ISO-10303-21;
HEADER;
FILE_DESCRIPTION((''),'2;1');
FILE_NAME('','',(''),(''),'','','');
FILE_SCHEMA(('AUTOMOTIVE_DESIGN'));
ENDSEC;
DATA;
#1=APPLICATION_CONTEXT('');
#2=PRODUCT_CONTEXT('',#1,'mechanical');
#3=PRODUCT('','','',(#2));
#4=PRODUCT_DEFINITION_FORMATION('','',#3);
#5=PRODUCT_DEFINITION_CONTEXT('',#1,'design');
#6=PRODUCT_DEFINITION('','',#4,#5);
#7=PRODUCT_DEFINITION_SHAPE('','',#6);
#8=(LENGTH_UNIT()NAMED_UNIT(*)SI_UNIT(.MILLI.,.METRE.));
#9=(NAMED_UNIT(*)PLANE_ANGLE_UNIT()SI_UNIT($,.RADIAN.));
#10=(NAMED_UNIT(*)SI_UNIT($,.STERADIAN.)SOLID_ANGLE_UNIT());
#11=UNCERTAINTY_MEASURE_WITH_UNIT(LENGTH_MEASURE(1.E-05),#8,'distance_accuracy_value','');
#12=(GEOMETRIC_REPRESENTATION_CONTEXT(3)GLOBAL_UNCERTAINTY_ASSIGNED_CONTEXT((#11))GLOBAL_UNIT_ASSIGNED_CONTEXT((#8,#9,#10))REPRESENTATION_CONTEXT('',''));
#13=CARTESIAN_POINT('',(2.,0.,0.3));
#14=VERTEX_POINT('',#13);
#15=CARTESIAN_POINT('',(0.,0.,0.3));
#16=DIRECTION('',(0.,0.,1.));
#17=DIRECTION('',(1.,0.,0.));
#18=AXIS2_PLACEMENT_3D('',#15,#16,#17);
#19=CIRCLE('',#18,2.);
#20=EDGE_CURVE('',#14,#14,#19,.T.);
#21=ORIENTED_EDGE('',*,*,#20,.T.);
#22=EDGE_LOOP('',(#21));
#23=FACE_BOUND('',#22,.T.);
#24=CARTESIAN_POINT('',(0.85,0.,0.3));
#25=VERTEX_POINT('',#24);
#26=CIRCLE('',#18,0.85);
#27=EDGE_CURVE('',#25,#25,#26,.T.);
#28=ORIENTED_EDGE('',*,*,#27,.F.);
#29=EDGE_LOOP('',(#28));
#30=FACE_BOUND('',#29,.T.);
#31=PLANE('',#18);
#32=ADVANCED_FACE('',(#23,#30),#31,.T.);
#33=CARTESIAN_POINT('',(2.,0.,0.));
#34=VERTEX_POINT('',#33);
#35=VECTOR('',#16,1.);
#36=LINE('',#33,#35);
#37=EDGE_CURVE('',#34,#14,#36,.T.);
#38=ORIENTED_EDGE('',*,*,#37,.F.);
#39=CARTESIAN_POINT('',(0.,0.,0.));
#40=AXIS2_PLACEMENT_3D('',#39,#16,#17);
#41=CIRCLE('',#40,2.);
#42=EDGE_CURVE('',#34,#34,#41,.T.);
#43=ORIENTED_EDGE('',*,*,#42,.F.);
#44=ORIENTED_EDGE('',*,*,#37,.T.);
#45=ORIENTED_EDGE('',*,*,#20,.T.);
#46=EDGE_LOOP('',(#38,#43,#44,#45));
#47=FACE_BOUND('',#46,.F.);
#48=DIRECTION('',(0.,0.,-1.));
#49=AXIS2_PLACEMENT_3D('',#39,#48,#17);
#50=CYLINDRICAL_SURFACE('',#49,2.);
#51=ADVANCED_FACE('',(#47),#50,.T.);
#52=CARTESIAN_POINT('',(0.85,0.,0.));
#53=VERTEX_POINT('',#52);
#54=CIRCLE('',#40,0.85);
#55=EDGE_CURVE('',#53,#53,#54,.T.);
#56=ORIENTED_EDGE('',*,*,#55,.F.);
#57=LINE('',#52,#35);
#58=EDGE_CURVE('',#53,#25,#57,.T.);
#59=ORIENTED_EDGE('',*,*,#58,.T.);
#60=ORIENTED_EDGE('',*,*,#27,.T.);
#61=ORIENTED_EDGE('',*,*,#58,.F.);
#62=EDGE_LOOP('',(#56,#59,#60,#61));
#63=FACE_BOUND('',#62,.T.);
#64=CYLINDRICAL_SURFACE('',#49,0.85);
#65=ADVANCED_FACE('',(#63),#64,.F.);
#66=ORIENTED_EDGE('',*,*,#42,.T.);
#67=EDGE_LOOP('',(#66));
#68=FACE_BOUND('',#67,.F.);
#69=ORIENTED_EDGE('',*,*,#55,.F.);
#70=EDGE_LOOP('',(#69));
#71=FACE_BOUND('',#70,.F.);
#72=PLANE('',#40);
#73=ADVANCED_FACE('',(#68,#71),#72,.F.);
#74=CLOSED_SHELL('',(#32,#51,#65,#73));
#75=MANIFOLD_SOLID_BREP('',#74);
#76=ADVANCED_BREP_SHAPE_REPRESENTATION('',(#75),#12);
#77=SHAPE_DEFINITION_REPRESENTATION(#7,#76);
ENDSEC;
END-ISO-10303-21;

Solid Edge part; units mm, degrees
sketch "Sketch1" plane through (0, 0, 0) normal (0, 0, 1) x (1, 0, 0)
  circle A0 centre (0, 0) radius 2
  circle A1 centre (0, 0) radius 0.85
  dimension "D1" = 4
  dimension "D2" = 1.7
extrude "Protrusion1" add sketch "Sketch1" along normal blind 0.3
properties material "Stainless steel"
